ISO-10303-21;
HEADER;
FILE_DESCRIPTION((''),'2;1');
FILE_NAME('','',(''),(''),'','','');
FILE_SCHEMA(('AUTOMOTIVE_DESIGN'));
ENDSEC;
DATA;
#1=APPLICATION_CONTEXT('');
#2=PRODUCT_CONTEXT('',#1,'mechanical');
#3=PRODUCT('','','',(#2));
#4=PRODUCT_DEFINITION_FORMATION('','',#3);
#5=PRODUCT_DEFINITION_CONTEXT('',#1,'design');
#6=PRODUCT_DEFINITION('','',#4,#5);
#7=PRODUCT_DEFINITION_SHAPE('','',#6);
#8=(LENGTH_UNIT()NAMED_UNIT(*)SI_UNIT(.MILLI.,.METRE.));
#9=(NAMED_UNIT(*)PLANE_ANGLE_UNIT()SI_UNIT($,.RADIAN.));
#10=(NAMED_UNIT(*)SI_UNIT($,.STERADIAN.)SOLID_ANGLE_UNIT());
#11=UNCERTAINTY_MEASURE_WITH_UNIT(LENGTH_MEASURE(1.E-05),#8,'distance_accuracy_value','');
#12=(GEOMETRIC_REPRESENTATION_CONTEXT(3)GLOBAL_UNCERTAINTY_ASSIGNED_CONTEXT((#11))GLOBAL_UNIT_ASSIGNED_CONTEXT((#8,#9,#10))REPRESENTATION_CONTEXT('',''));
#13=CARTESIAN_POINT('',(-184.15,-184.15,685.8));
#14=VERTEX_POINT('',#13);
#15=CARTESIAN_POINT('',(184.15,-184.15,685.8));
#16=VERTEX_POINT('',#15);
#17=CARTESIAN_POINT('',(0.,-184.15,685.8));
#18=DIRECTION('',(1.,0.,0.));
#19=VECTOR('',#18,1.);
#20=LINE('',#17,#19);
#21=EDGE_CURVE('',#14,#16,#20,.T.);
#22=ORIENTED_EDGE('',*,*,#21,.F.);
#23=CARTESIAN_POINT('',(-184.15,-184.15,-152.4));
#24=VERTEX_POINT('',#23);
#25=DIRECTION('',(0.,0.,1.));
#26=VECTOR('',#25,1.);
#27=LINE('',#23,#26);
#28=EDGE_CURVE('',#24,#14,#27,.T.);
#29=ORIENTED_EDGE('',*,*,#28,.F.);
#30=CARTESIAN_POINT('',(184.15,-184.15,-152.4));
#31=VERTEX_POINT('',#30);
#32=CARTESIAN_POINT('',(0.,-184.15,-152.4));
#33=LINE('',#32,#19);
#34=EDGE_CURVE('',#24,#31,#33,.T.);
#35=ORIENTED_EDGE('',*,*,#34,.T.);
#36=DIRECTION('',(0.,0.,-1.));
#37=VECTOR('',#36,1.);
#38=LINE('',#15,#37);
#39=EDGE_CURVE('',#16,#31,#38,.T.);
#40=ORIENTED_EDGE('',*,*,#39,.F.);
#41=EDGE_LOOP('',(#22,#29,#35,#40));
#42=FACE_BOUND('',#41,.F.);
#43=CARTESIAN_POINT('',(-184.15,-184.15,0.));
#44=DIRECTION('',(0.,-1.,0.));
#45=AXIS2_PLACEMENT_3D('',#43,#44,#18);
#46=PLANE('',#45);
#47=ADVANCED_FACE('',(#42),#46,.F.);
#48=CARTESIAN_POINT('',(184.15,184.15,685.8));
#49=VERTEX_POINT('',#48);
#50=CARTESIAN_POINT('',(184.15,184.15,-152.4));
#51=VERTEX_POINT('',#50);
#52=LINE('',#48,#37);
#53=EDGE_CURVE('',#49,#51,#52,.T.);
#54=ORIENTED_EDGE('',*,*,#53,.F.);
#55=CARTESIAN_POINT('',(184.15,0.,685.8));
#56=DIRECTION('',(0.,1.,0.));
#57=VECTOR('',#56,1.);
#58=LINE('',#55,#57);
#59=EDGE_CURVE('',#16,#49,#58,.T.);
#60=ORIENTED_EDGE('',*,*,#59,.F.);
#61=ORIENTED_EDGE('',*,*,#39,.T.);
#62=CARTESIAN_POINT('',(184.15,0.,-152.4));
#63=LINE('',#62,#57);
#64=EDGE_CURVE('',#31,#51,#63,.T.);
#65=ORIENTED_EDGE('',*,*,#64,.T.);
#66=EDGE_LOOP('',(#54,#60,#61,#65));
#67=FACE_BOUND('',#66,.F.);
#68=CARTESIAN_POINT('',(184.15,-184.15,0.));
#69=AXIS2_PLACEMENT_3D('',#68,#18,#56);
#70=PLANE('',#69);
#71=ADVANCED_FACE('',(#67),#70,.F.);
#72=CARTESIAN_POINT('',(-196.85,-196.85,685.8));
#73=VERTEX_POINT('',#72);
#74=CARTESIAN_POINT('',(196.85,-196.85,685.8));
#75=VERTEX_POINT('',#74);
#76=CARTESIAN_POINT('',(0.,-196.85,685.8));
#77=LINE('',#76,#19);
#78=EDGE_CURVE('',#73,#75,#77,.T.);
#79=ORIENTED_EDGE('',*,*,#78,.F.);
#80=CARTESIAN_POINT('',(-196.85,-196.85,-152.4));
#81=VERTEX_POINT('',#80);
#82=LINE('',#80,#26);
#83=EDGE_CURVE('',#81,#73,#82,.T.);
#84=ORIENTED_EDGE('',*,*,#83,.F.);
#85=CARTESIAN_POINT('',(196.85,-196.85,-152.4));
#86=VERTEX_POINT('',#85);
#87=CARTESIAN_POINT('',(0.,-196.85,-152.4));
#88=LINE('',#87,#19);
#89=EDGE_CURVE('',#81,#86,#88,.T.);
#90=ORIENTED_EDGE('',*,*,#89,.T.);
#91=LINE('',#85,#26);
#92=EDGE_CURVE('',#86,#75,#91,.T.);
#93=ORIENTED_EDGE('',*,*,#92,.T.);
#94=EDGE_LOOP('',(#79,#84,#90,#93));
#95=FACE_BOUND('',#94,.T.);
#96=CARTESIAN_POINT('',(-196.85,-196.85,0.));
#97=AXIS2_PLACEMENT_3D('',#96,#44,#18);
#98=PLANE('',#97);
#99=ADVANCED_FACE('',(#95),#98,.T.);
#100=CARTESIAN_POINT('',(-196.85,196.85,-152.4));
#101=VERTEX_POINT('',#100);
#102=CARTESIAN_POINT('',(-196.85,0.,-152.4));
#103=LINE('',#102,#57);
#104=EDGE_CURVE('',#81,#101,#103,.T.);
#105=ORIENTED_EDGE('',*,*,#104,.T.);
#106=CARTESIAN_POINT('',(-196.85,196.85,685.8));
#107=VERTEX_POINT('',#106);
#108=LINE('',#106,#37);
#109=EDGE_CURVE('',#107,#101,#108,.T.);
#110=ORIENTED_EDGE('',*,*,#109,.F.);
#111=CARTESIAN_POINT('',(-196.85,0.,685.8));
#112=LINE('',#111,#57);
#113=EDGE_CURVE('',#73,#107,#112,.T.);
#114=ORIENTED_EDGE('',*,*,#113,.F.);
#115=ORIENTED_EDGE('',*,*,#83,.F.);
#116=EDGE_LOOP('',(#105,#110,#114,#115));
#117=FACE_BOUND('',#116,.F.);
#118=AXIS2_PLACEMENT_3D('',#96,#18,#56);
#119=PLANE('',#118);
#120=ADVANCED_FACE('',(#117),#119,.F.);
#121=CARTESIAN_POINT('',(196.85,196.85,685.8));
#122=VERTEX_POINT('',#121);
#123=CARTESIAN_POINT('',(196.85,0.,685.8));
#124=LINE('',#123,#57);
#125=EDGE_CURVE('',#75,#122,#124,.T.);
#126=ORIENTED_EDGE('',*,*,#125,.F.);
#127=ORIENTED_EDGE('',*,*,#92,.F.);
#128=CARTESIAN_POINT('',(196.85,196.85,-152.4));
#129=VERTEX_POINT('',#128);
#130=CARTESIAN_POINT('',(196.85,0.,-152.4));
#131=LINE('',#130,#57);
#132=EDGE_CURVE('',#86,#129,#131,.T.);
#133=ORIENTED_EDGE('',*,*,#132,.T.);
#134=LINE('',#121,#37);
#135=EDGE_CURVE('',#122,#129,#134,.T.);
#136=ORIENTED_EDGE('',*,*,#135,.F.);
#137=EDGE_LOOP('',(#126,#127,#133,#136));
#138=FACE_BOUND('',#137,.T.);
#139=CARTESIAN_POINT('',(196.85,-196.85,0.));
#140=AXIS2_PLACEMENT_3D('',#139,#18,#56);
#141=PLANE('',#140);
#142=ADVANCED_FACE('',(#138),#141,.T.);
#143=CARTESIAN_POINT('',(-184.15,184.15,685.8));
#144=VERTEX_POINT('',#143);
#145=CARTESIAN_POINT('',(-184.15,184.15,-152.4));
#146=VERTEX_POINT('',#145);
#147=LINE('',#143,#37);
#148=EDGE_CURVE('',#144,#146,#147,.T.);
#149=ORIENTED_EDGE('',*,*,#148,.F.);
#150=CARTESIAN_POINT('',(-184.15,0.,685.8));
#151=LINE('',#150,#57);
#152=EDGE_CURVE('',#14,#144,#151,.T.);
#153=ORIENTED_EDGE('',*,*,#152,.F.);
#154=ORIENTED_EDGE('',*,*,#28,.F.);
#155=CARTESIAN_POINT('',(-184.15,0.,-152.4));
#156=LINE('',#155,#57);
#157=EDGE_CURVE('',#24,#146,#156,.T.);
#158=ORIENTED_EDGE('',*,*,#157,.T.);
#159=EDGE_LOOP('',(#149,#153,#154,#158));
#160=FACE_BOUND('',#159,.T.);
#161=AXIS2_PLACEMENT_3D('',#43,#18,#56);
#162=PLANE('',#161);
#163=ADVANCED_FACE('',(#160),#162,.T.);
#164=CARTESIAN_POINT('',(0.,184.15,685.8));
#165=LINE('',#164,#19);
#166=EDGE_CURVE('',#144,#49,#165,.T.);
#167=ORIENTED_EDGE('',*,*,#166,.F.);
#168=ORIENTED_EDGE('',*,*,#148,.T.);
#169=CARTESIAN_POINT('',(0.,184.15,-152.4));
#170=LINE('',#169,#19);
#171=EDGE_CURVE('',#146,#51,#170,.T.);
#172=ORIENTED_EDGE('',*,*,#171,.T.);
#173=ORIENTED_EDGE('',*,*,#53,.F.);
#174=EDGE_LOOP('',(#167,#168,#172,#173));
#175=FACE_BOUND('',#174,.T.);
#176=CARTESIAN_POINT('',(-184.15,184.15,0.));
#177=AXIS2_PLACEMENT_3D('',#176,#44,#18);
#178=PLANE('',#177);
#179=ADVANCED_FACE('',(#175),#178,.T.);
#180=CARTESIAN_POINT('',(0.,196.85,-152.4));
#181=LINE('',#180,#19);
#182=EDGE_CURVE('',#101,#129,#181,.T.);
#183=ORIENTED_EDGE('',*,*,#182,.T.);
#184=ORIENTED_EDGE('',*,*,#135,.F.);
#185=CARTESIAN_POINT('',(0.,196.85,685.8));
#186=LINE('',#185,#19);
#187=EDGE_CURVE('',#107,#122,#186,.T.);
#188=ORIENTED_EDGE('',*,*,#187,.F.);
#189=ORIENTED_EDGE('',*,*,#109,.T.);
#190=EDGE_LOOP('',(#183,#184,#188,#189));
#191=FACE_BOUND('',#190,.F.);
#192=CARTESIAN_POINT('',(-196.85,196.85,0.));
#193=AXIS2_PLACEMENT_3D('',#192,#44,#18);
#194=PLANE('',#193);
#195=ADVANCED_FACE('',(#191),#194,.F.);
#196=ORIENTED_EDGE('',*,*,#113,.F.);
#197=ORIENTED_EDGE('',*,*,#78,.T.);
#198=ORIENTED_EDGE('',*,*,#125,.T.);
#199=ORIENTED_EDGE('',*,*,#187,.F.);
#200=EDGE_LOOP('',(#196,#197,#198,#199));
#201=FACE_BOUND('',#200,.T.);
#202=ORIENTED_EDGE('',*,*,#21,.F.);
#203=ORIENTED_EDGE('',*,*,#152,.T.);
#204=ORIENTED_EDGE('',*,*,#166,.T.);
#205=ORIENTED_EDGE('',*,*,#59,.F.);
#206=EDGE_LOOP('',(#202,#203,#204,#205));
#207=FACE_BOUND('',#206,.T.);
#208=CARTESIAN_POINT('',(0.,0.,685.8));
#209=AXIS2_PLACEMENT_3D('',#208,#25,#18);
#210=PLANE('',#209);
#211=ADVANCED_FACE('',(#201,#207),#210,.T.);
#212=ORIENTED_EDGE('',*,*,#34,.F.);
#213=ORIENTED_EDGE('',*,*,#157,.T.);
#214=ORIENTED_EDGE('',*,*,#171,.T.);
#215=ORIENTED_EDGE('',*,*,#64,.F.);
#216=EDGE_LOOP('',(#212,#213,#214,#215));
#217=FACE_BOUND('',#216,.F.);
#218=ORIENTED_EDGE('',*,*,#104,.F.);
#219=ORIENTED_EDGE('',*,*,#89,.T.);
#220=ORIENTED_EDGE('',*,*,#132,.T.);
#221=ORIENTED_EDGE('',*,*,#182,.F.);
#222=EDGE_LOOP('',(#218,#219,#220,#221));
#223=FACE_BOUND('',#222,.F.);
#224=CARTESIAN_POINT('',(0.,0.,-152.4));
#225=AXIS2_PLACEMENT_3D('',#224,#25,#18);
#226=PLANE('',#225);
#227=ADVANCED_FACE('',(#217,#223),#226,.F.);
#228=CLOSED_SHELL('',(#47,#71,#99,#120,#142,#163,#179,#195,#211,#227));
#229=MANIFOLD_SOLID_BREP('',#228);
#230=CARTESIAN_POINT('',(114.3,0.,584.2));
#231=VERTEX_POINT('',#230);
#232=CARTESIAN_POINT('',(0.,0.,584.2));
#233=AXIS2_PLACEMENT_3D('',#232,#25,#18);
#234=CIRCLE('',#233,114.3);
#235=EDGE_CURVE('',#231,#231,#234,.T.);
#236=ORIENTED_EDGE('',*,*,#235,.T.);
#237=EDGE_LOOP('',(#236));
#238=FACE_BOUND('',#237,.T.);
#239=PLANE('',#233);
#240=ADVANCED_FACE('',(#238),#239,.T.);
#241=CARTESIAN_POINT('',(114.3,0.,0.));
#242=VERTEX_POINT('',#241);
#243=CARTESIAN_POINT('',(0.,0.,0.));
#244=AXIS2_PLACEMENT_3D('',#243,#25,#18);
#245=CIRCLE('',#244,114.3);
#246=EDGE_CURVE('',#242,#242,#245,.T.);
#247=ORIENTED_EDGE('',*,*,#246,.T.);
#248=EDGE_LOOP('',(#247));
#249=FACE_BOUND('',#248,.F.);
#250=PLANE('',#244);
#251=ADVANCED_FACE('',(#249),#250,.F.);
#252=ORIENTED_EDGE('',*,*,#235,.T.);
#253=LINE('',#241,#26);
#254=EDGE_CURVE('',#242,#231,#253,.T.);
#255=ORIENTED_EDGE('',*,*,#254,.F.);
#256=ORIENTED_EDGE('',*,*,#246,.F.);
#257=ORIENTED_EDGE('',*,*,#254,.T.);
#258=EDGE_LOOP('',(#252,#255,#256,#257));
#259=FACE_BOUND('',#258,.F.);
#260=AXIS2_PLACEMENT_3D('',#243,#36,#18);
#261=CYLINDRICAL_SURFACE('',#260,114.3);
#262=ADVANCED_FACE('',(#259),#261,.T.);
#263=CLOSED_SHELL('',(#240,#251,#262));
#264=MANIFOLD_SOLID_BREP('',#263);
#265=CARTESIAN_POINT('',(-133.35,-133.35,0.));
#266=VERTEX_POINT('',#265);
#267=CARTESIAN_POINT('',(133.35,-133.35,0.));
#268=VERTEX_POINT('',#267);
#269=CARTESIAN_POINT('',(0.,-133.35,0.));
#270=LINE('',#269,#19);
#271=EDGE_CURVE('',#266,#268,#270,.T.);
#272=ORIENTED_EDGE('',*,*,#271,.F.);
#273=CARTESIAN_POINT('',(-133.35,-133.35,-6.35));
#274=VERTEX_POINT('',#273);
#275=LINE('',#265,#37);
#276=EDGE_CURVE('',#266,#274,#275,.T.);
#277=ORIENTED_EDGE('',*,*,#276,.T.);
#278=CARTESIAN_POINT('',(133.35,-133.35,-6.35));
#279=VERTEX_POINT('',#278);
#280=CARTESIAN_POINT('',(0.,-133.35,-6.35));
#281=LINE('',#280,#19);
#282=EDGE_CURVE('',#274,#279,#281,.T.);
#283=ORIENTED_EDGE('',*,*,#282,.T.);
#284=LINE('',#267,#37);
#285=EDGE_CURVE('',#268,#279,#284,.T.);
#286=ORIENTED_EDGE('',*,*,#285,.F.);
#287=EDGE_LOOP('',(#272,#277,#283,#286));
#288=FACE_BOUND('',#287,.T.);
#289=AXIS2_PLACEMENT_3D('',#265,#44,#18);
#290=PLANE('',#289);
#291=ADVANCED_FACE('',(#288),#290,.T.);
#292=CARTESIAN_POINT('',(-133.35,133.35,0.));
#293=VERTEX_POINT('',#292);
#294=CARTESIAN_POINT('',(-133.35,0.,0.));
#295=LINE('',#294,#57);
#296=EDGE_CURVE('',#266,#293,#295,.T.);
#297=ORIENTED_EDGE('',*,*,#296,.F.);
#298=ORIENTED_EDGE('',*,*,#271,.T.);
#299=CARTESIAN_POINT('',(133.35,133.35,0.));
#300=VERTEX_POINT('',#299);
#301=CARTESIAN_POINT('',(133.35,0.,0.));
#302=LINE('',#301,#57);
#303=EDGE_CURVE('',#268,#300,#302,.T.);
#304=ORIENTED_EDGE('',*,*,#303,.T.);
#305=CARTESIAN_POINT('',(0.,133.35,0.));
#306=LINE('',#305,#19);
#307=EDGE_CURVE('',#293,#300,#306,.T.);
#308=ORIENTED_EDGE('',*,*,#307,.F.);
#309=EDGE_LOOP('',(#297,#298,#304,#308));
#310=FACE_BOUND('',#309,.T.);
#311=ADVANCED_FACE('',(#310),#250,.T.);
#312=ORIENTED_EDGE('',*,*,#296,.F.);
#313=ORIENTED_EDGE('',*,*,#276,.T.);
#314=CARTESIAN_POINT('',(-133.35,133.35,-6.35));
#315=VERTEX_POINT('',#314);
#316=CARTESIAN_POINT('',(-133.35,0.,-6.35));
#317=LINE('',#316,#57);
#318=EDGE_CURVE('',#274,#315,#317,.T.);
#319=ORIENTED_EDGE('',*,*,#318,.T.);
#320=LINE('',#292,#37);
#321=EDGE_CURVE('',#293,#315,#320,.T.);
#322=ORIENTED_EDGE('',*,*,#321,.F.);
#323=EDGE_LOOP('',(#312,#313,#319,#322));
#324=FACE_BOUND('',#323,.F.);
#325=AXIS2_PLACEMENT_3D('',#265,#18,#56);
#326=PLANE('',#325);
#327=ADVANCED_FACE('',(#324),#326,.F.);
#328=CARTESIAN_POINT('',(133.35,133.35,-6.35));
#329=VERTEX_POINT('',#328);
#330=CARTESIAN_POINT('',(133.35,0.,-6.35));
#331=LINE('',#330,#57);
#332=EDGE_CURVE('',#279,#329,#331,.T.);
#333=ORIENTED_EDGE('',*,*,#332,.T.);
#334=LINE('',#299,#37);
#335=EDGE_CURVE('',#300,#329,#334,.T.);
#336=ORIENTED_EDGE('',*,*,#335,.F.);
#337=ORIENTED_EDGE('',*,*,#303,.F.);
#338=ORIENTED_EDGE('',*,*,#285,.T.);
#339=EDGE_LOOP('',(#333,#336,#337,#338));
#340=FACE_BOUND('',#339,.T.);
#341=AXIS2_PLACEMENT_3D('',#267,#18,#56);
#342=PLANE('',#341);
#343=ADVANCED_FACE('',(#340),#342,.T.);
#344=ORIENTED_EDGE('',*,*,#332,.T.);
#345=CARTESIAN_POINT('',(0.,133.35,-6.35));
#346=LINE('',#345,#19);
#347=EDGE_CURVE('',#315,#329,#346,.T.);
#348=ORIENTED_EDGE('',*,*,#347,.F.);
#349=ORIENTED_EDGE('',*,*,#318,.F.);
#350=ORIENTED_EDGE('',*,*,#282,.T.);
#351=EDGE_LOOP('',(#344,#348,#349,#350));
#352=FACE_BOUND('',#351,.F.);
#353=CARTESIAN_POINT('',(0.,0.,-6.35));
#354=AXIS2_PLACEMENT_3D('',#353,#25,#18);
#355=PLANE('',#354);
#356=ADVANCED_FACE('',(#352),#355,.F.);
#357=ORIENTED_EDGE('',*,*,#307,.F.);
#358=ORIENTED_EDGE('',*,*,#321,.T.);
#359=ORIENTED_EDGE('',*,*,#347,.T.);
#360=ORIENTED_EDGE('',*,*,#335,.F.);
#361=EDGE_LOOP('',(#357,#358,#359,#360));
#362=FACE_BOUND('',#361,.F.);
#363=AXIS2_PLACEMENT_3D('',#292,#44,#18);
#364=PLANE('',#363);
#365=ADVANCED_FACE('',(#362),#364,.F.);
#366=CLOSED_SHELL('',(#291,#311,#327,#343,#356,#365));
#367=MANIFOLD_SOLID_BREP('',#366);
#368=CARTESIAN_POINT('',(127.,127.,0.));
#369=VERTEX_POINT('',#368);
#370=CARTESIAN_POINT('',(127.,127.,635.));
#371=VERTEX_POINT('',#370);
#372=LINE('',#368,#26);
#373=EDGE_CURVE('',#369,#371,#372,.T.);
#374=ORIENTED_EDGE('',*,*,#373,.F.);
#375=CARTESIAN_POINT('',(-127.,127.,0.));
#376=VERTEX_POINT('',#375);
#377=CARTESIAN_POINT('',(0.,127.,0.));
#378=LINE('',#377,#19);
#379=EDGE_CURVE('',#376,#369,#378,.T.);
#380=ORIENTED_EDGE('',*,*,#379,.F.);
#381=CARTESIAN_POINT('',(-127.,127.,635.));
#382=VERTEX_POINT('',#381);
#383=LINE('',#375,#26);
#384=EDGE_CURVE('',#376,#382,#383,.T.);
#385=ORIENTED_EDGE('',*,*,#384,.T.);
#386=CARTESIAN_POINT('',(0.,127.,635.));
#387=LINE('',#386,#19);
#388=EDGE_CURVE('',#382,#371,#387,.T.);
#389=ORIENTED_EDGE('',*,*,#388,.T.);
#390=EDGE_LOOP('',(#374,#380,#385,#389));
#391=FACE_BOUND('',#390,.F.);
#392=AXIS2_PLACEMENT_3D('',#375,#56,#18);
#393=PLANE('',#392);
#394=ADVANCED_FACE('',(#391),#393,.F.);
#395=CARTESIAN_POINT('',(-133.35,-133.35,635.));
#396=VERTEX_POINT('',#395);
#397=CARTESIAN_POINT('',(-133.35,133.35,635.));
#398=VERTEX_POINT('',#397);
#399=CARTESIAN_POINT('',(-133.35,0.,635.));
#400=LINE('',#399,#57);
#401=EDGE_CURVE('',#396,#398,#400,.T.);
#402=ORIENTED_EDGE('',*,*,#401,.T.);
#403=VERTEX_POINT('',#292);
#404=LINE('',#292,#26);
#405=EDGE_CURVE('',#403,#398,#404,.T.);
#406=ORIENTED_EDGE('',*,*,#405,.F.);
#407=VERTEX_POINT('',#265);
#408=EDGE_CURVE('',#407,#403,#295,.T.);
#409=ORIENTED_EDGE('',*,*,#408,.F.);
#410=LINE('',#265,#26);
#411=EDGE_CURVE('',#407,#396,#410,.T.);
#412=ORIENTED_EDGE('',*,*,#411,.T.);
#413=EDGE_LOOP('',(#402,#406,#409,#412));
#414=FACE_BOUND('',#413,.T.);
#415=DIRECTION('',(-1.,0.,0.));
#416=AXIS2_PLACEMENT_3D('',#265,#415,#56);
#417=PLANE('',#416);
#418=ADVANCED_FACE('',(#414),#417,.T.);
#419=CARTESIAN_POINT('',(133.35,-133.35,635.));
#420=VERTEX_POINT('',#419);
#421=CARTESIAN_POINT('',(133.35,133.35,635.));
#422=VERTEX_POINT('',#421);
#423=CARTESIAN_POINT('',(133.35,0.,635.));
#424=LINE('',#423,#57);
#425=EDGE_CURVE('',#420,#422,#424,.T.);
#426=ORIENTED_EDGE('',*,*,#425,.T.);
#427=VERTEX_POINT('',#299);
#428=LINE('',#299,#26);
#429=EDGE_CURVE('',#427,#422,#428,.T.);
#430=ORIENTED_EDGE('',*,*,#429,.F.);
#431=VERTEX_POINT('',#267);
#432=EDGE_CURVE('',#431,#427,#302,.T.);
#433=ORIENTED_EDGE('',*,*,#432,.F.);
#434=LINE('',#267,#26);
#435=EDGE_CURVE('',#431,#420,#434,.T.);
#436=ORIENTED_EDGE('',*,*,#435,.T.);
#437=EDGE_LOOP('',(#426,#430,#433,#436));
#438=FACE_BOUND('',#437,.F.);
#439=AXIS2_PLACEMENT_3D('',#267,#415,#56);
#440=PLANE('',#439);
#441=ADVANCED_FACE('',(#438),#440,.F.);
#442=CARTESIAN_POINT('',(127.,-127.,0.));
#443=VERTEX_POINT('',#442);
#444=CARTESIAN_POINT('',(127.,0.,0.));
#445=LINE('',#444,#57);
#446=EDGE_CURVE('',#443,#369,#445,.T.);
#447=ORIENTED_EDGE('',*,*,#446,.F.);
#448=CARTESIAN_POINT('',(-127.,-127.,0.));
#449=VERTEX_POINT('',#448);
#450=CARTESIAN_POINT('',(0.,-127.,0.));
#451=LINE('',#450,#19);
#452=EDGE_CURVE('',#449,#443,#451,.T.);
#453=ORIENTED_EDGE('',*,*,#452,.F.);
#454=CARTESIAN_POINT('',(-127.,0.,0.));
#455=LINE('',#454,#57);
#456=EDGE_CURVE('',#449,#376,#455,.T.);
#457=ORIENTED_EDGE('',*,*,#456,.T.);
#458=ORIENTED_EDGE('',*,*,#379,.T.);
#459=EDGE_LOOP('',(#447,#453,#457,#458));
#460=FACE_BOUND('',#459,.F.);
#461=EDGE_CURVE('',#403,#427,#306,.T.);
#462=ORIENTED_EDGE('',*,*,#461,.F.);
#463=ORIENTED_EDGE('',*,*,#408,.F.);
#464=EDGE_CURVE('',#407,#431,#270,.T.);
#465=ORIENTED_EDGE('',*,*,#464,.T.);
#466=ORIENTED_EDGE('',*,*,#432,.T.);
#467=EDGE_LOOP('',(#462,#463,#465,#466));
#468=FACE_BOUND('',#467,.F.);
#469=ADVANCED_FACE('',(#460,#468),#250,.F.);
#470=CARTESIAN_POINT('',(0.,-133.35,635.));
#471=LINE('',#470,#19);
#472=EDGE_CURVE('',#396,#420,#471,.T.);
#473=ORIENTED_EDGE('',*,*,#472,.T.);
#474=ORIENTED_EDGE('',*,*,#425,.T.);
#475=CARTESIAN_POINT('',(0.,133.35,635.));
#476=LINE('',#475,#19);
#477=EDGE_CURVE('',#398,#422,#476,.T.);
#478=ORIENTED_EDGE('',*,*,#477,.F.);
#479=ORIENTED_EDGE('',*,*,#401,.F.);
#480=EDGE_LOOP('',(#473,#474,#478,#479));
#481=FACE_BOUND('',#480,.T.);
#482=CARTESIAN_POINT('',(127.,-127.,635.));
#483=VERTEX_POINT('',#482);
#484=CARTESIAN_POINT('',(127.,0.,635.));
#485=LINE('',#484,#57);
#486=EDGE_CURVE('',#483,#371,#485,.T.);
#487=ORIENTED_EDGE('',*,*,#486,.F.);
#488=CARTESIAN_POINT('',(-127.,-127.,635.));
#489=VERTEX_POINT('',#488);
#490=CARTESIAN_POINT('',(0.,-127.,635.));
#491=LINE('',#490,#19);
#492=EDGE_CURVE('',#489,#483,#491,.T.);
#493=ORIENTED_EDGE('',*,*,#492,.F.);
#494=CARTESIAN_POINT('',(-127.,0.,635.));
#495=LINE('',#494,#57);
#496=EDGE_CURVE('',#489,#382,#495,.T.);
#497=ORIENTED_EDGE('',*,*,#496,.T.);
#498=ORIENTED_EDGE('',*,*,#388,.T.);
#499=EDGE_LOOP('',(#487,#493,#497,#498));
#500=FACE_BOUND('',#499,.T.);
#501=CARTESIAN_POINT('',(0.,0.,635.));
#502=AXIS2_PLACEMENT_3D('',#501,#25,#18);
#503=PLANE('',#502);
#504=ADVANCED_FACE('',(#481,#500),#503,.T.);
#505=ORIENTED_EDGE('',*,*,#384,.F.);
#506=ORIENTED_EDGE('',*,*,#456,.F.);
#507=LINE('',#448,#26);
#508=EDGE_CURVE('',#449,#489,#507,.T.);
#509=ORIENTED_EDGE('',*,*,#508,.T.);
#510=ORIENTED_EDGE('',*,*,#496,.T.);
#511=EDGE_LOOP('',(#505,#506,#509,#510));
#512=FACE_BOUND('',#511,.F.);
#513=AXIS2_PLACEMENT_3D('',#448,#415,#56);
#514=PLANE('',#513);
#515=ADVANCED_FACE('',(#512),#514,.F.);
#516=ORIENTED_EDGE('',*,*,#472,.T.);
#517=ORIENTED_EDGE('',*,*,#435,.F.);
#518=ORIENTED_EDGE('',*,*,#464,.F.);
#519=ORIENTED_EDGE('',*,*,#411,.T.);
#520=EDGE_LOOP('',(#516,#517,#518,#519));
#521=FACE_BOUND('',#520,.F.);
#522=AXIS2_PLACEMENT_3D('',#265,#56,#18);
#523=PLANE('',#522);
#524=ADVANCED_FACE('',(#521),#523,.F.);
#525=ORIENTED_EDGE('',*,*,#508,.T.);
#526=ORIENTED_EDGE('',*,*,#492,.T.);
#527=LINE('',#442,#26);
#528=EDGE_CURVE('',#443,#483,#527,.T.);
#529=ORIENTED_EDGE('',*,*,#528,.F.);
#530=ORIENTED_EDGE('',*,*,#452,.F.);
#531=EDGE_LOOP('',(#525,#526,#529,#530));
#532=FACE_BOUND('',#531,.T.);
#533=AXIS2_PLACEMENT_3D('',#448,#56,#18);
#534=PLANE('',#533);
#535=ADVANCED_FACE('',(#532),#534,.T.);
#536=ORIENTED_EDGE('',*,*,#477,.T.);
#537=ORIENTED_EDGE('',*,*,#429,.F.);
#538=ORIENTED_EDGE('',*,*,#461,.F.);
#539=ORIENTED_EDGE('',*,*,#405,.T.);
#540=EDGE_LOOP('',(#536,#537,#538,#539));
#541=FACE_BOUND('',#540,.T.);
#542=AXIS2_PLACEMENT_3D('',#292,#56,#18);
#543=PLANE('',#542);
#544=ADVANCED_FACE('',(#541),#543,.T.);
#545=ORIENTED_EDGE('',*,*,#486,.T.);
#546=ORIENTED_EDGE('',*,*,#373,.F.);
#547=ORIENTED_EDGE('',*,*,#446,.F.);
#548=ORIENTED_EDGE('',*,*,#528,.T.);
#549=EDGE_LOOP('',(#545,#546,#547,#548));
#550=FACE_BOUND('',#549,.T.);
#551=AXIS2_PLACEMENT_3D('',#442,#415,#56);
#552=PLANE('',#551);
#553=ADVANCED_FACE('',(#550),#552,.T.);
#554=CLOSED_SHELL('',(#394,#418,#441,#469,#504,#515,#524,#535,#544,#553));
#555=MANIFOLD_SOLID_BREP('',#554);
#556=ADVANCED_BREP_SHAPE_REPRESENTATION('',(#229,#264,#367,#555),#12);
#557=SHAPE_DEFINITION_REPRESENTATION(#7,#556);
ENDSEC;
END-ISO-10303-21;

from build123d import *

# Parameters (mm, degrees)
F0_R          = 114.3
F1_DEPTH      = 584.2
F0_W          = 266.7
F0_H          = 266.7
F0_W_2        = 254
F0_H_2        = 254
F2_DEPTH      = 635
F3_DEPTH      = 6.35
F0_W_3        = 393.7
F0_H_3        = 393.7
F0_W_4        = 368.3
F0_H_4        = 368.3
F4_DEPTH      = 685.8
F4_DEPTH_BACK = 152.4


with BuildPart() as f1:
    # F0 (on Top) → F1 (new body)
    with BuildSketch(Plane.XY):
        Circle(F0_R)
    extrude(amount=F1_DEPTH)


with BuildPart() as f2:
    # F0 (on Top) → F2 (new body)
    with BuildSketch(Plane.XY):
        Rectangle(F0_W, F0_H)
        Rectangle(F0_W_2, F0_H_2, mode=Mode.SUBTRACT)
    extrude(amount=F2_DEPTH)


with BuildPart() as f3:
    # F0 (on Top) → F3 (new body)
    with BuildSketch(Plane.XY):
        Rectangle(F0_W, F0_H)
        Rectangle(F0_W_2, F0_H_2, mode=Mode.SUBTRACT)
        Rectangle(F0_W_2, F0_H_2)
        Circle(F0_R, mode=Mode.SUBTRACT)
        Circle(F0_R)
    extrude(amount=-F3_DEPTH)


with BuildPart() as f4:
    # F0 (on Top) → F4 (new body, two sides)
    with BuildSketch(Plane.XY) as f4_sk:
        Rectangle(F0_W_3, F0_H_3)
        Rectangle(F0_W_4, F0_H_4, mode=Mode.SUBTRACT)
    extrude(amount=F4_DEPTH)
    extrude(f4_sk.sketch, amount=-F4_DEPTH_BACK)


solid = Compound([f1.part, f2.part, f3.part, f4.part])
